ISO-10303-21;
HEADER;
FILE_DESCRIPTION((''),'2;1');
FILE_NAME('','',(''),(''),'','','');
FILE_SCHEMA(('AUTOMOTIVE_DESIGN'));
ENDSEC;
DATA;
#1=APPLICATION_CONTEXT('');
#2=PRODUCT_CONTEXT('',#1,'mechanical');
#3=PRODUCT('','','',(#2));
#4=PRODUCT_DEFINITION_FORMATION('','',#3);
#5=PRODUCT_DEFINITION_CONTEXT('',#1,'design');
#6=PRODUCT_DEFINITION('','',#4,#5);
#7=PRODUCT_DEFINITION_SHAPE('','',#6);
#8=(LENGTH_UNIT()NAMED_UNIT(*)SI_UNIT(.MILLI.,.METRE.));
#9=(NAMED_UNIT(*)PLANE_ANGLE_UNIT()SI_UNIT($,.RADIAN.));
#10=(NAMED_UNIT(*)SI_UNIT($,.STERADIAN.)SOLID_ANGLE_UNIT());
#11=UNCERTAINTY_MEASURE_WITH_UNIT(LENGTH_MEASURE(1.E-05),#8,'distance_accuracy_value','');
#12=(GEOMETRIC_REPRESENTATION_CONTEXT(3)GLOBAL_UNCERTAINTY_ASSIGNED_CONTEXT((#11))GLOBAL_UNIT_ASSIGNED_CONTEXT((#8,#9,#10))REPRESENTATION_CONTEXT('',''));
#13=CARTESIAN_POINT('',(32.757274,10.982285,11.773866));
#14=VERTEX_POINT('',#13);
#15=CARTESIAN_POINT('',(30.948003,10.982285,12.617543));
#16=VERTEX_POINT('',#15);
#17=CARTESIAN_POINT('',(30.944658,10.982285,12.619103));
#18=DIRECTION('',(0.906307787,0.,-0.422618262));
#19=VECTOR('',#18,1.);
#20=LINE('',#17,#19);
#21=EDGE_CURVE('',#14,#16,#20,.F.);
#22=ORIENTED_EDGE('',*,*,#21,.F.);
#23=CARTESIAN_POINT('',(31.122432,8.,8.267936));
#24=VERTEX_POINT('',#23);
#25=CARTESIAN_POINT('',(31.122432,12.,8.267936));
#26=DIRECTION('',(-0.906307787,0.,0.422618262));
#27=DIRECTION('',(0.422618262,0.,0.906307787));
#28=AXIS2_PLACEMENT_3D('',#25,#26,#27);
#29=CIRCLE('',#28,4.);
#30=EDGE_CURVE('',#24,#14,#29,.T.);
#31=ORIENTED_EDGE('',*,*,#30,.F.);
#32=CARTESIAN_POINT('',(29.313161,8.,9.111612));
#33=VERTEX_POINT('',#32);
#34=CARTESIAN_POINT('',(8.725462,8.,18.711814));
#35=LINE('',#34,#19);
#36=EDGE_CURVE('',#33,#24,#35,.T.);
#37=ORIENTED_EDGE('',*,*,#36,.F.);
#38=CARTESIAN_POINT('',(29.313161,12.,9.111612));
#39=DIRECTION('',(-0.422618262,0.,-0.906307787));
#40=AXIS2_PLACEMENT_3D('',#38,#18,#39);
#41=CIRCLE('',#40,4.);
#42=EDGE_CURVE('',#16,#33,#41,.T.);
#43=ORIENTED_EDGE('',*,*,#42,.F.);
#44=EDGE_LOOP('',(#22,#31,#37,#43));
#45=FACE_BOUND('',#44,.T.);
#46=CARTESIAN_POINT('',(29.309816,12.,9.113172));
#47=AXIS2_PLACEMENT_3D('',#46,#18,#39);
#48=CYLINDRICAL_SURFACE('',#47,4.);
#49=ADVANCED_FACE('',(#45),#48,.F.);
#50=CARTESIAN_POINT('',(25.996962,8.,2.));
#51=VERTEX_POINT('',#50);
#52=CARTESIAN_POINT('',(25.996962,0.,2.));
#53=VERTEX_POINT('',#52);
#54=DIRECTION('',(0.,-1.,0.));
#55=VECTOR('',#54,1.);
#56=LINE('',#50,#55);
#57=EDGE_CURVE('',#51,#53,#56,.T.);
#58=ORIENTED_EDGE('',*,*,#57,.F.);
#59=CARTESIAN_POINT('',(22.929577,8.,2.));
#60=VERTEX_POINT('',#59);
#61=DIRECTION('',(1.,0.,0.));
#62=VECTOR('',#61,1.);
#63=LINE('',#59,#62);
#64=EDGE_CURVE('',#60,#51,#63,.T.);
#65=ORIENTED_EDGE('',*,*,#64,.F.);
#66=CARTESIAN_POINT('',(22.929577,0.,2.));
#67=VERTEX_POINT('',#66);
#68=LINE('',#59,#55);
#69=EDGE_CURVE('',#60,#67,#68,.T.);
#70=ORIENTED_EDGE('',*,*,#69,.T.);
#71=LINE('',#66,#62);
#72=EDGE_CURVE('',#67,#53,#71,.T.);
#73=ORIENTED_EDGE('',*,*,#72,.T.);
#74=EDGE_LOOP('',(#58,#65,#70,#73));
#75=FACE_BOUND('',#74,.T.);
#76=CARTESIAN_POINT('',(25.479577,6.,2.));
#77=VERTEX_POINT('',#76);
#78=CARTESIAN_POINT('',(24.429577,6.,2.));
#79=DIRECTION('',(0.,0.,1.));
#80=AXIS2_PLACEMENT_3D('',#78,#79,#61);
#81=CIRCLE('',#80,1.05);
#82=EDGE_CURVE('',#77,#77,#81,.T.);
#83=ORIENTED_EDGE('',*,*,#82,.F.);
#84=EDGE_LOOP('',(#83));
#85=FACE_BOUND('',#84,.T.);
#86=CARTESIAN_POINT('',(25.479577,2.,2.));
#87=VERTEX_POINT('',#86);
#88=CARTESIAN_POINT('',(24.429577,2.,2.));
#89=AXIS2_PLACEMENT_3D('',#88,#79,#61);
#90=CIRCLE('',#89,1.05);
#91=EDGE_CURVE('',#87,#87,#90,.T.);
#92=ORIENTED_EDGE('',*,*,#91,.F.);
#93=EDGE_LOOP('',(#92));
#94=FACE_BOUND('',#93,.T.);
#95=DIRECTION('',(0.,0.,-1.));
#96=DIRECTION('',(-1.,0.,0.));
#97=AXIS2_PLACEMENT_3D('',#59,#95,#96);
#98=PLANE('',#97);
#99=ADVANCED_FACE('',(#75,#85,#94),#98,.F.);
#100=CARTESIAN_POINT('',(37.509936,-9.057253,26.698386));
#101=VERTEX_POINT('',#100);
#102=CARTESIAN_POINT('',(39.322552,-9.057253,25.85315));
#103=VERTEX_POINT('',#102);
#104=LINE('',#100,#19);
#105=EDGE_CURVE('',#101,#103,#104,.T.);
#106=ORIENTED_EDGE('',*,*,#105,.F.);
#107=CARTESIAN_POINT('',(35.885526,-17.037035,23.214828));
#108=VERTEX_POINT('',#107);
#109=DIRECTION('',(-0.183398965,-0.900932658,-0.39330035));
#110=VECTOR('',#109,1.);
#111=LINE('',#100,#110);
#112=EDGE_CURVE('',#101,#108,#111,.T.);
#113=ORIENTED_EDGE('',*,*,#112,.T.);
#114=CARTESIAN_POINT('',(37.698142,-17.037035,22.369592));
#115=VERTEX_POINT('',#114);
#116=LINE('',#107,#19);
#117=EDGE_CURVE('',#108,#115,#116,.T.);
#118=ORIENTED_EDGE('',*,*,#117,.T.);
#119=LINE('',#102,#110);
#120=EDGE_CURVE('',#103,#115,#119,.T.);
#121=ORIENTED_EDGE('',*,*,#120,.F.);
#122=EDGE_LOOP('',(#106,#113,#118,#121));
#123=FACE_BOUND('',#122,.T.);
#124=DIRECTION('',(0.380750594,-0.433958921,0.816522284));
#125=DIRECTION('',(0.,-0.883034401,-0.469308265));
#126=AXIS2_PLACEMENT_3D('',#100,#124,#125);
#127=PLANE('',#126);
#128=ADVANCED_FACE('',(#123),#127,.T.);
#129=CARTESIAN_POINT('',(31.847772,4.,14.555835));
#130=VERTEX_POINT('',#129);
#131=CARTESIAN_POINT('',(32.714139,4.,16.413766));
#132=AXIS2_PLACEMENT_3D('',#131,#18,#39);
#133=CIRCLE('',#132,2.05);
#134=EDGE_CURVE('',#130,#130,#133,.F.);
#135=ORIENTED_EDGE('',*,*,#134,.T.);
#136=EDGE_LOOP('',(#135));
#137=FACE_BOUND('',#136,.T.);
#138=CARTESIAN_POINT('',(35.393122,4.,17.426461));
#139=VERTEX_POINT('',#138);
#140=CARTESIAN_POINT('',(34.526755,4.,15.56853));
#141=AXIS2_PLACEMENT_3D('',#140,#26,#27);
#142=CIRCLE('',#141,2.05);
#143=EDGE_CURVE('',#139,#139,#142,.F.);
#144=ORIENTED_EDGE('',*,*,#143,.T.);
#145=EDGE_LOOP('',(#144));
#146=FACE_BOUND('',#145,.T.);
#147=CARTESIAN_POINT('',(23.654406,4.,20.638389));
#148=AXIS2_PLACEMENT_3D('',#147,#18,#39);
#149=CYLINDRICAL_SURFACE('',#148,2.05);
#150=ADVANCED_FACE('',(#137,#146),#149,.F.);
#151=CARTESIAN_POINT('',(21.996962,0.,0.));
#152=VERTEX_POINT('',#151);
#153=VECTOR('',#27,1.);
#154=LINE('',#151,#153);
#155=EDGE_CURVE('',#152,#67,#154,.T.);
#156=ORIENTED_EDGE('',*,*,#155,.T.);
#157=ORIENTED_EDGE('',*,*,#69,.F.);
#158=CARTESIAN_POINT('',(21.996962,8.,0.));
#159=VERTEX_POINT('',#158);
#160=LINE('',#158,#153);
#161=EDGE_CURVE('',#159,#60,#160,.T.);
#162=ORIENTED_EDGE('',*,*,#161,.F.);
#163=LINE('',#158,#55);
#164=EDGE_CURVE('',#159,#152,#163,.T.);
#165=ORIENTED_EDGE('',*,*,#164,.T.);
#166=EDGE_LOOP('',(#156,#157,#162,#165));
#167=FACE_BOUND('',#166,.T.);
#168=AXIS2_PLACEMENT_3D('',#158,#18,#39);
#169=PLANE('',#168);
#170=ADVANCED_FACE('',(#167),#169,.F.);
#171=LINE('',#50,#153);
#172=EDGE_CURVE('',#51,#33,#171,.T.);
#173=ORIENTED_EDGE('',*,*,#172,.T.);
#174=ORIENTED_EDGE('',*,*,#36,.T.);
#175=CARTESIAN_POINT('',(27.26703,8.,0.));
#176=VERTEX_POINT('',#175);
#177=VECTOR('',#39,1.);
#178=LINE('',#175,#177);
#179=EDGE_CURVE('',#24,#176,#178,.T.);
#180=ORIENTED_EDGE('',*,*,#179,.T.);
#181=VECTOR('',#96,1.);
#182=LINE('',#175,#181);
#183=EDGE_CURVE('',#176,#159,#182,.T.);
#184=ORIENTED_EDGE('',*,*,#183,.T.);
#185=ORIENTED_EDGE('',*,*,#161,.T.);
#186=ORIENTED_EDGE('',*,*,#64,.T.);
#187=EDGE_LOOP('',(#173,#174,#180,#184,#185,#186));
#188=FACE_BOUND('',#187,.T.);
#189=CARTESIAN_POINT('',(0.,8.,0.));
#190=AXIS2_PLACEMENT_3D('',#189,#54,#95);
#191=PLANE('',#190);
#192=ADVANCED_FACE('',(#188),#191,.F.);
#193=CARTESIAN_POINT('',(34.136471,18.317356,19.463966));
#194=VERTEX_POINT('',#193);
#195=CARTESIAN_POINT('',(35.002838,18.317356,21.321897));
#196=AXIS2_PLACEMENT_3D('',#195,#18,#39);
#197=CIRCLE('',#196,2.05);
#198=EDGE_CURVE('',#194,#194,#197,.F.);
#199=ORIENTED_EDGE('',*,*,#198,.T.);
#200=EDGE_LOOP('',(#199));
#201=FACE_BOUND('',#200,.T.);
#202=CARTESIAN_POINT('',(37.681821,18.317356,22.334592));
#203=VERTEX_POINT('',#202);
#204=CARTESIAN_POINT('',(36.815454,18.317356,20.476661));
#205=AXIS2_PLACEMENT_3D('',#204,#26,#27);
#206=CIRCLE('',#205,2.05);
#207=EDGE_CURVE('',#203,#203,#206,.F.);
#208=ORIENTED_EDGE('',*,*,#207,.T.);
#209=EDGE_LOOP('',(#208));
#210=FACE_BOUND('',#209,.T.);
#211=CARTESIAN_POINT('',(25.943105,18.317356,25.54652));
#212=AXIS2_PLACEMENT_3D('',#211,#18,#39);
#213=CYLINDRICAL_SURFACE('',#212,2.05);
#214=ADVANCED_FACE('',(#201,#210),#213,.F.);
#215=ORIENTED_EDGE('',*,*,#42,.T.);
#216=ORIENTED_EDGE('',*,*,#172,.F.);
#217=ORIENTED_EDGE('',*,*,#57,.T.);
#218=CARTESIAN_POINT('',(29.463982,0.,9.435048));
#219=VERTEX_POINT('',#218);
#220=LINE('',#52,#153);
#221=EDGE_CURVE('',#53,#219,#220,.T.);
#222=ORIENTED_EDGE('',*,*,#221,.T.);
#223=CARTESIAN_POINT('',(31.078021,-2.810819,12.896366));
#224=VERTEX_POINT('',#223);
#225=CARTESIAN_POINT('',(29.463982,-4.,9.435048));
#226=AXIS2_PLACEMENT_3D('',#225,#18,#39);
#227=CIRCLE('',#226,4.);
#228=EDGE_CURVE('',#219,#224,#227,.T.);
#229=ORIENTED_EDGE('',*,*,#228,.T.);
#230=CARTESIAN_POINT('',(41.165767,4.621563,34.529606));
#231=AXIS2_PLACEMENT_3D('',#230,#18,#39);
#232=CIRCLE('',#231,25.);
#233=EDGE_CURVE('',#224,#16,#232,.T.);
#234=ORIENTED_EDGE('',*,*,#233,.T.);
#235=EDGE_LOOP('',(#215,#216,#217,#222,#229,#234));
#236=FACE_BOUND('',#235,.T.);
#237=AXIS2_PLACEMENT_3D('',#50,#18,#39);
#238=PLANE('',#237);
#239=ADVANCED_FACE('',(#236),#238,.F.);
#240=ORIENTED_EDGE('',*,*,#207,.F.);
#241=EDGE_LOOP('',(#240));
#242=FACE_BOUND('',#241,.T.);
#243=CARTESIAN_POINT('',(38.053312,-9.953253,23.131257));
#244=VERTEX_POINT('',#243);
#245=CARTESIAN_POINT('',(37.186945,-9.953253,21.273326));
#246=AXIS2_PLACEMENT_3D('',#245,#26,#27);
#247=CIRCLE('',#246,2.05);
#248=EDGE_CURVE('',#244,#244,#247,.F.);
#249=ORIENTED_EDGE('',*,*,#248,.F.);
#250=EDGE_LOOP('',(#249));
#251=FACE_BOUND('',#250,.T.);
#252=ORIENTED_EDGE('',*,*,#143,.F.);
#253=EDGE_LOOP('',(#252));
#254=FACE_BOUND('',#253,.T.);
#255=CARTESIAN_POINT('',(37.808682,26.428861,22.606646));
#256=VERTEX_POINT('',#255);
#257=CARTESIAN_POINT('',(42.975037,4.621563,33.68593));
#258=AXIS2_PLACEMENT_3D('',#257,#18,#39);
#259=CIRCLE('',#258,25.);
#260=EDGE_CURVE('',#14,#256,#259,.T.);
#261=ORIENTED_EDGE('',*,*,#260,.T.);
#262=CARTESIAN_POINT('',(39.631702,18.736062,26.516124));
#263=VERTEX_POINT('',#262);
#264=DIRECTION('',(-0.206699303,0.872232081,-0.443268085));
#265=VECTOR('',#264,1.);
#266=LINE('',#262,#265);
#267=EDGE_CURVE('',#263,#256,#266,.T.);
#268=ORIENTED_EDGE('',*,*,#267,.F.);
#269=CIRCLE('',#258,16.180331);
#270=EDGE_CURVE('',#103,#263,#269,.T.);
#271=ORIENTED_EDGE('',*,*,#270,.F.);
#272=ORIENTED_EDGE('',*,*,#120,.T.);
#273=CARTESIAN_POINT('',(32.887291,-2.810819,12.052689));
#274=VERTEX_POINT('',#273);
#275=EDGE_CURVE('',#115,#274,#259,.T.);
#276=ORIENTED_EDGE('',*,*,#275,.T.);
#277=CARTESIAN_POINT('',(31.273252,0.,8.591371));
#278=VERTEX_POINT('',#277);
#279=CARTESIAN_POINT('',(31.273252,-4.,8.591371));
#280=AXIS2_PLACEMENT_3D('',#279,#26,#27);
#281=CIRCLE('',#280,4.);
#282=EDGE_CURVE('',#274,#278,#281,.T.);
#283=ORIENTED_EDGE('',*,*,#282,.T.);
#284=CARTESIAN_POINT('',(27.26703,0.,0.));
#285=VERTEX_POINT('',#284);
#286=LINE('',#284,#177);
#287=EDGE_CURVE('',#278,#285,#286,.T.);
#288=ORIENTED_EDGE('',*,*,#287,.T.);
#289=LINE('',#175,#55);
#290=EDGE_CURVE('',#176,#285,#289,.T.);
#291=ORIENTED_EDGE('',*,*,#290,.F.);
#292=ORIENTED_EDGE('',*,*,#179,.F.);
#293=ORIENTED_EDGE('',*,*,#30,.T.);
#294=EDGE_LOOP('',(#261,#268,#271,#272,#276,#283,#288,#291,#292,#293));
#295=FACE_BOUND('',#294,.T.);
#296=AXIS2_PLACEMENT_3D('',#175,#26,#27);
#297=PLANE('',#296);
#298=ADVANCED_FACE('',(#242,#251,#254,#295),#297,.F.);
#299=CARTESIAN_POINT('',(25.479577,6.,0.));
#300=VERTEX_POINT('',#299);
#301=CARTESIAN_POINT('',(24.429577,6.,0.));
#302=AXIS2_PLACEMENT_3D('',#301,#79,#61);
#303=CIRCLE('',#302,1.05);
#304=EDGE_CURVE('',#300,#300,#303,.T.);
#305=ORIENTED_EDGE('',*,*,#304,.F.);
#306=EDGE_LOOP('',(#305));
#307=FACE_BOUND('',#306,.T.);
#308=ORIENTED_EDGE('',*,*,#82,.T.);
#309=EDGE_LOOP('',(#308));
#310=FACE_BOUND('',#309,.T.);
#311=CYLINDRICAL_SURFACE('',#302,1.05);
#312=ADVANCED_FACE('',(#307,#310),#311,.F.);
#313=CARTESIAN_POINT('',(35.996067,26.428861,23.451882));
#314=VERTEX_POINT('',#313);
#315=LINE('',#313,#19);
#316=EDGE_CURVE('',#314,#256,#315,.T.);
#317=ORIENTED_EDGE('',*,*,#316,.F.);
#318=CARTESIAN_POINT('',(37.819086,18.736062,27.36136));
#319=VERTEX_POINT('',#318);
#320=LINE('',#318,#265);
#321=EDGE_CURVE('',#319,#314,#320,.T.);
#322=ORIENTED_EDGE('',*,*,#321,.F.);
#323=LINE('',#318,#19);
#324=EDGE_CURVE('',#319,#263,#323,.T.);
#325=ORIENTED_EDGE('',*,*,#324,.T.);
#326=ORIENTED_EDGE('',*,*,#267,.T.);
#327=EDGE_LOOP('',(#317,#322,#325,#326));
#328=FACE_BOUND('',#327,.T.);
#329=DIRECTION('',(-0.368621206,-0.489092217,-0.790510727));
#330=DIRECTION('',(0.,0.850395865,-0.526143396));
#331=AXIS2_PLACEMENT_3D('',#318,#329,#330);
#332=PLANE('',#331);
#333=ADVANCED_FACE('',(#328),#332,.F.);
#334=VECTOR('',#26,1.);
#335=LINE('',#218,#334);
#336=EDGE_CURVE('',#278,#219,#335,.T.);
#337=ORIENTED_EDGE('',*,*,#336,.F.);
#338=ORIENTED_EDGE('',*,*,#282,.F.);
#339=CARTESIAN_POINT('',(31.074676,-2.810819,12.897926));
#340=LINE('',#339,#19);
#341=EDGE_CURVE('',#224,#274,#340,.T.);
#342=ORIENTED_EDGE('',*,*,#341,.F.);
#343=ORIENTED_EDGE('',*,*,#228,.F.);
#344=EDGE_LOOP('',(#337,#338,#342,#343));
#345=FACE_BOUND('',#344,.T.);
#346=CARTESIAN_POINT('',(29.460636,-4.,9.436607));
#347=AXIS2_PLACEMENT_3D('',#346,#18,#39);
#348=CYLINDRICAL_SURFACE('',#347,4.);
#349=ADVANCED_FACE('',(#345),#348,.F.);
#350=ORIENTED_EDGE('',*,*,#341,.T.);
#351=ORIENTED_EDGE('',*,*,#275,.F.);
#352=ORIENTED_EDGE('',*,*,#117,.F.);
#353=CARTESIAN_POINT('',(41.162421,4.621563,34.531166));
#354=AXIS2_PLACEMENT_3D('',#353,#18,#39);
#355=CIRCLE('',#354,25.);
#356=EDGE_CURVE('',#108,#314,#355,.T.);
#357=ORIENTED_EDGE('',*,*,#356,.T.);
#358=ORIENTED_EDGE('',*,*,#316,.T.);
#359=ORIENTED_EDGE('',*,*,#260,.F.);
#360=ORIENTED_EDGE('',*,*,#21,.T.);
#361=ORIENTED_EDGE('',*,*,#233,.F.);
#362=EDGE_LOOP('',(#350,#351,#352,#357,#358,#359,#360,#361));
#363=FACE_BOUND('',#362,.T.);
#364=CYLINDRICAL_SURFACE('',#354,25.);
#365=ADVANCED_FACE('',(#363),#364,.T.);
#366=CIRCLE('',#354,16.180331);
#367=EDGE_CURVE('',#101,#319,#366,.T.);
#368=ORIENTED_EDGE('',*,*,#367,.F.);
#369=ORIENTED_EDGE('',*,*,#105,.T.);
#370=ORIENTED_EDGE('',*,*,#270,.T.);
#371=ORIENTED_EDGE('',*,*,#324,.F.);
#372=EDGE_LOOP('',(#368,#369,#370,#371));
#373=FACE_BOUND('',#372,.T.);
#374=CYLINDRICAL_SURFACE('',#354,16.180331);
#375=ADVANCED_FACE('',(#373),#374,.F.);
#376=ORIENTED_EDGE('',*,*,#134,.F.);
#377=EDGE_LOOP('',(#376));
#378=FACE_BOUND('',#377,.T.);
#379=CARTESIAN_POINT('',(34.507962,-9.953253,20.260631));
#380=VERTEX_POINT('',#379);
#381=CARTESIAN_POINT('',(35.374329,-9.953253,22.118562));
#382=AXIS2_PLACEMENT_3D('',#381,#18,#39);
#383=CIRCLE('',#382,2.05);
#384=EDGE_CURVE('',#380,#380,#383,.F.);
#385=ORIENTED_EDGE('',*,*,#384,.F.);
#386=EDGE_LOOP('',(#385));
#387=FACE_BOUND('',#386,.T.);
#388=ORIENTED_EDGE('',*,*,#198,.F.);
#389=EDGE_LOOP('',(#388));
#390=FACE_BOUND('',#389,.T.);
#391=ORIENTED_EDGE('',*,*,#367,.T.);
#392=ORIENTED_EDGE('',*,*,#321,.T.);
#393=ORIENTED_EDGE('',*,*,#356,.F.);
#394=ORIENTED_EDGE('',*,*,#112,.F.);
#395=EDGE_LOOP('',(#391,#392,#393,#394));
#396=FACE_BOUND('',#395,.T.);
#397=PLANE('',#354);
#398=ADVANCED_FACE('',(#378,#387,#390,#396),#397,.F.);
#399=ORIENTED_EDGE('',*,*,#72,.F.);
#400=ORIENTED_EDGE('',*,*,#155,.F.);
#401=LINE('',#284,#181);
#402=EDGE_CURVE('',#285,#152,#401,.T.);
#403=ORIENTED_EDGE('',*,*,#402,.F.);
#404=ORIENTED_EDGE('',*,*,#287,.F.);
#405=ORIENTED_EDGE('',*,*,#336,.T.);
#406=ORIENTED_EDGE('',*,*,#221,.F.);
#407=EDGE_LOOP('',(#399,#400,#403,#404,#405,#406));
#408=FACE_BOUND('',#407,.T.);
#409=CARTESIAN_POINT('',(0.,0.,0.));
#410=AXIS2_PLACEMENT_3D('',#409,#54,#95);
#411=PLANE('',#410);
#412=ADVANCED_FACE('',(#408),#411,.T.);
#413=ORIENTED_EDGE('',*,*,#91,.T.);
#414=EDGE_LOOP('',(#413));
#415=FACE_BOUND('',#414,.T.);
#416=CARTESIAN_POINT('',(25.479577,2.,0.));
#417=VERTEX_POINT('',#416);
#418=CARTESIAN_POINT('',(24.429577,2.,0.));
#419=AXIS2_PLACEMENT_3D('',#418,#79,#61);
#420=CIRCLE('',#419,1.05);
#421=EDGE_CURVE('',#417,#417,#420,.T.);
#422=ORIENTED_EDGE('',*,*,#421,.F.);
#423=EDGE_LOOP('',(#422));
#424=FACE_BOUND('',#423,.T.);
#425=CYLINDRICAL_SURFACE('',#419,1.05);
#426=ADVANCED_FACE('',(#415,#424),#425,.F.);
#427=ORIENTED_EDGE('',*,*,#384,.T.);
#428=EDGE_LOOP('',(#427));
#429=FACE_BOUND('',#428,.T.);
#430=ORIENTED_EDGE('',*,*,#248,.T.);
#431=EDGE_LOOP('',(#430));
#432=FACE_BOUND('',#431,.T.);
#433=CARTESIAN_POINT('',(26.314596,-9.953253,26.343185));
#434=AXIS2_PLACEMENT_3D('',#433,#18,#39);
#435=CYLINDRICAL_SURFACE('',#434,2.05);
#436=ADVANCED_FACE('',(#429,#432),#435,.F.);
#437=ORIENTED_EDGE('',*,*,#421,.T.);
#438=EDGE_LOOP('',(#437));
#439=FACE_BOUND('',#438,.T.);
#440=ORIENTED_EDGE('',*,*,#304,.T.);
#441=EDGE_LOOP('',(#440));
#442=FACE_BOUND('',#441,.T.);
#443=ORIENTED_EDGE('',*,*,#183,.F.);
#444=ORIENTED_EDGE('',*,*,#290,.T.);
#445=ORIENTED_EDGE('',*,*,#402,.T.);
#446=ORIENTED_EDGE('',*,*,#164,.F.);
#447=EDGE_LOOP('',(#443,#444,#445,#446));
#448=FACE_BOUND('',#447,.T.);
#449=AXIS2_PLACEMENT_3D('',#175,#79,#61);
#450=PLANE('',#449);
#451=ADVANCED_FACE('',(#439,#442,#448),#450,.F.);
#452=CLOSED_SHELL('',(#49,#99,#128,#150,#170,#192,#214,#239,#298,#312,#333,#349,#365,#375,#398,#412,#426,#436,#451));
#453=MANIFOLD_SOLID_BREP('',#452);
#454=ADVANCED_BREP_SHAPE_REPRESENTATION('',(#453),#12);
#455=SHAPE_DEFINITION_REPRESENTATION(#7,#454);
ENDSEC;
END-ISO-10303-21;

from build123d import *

# Parameters (mm, degrees)
BOSS_EXTRUDE1_DEPTH     = 8
BOSS_EXTRUDE2_DEPTH     = 2
SKETCH3_R               = 2.05
CUT_EXTRUDE3_DEPTH      = 10
CUT_EXTRUDE3_DEPTH_BACK = 10
FILLET2_R               = 4
SKETCH6_R               = 1.05
CUT_EXTRUDE4_DEPTH      = 3


with BuildPart() as part:
    # Sketch1 → Boss-Extrude1 (new body)
    with BuildSketch(Plane(origin=(0, 0, 0), x_dir=(1, 0, 0), z_dir=(0, 1, 0))):
        Polygon((34.518104392, -15.549979118), (32.760161227, -16.503727422), (25.996962058, -2), (22.929577374, -2), (21.996962058, 0), (27.267030045, 0), align=None)
    extrude(amount=BOSS_EXTRUDE1_DEPTH)

    # Sketch5 → Boss-Extrude2 (add)
    with BuildSketch(Plane(origin=(22.396969556, 0, -10.443878423), x_dir=(-0.422618262, 0, -0.906307787), z_dir=(0.906307787, 0, -0.422618262))):
        with BuildLine():
            Line((-40.780850255, 18.736062391), (-36.467218683, 26.428860828))
            ThreePointArc((-36.467218683, 26.428860828), (-23.692308478, 4.771999965), (-36.205658542, -17.037035395))
            Line((-36.205658542, -17.037035395), (-40.049339329, -9.057253488))
            ThreePointArc((-40.049339329, -9.057253488), (-32.517126315, 5.047276383), (-40.780850255, 18.736062391))
        make_face()
    extrude(amount=-BOSS_EXTRUDE2_DEPTH)

    # Sketch3 → Cut-Extrude3 (cut, two sides)
    with BuildSketch(Plane(origin=(20.587699136, 0, -9.600201771), x_dir=(0.422618262, 0, 0.906307787), z_dir=(-0.906307787, 0, 0.422618262))) as cut_extrude3_sk:
        with Locations((28.701516689, 4)):
            Circle(SKETCH3_R)
        with Locations((34.117040182, 18.317355913)):
            Circle(SKETCH3_R)
        with Locations((48.070293023, 24.611901983)):
            Circle(SKETCH3_R)
        with Locations((62.387648936, 19.19637849)):
            Circle(SKETCH3_R)
        with Locations((68.682195005, 5.243125649)):
            Circle(SKETCH3_R)
        with Locations((63.266671512, -9.074230264)):
            Circle(SKETCH3_R)
        with Locations((49.313418672, -15.368776333)):
            Circle(SKETCH3_R)
        with Locations((34.996062759, -9.953252841)):
            Circle(SKETCH3_R)
    extrude(amount=CUT_EXTRUDE3_DEPTH, mode=Mode.SUBTRACT)
    extrude(cut_extrude3_sk.sketch, amount=-CUT_EXTRUDE3_DEPTH_BACK, mode=Mode.SUBTRACT)

    # Fillet2
    fillet2_edges = [part.edges().sort_by_distance(p)[0] for p in [
        (31.687047343, 0, 11.840592477),
        (31.60186373, 8, 11.657915631),
    ]]
    fillet(fillet2_edges, radius=FILLET2_R)

    # Sketch6 → Cut-Extrude4 (cut, through all)
    with BuildSketch(Plane.XY.offset(2)):
        with Locations((24.429577374, 6)):
            Circle(SKETCH6_R)
        with Locations((24.429577374, 2)):
            Circle(SKETCH6_R)
    extrude(amount=-CUT_EXTRUDE4_DEPTH, mode=Mode.SUBTRACT)


solid = part.part
